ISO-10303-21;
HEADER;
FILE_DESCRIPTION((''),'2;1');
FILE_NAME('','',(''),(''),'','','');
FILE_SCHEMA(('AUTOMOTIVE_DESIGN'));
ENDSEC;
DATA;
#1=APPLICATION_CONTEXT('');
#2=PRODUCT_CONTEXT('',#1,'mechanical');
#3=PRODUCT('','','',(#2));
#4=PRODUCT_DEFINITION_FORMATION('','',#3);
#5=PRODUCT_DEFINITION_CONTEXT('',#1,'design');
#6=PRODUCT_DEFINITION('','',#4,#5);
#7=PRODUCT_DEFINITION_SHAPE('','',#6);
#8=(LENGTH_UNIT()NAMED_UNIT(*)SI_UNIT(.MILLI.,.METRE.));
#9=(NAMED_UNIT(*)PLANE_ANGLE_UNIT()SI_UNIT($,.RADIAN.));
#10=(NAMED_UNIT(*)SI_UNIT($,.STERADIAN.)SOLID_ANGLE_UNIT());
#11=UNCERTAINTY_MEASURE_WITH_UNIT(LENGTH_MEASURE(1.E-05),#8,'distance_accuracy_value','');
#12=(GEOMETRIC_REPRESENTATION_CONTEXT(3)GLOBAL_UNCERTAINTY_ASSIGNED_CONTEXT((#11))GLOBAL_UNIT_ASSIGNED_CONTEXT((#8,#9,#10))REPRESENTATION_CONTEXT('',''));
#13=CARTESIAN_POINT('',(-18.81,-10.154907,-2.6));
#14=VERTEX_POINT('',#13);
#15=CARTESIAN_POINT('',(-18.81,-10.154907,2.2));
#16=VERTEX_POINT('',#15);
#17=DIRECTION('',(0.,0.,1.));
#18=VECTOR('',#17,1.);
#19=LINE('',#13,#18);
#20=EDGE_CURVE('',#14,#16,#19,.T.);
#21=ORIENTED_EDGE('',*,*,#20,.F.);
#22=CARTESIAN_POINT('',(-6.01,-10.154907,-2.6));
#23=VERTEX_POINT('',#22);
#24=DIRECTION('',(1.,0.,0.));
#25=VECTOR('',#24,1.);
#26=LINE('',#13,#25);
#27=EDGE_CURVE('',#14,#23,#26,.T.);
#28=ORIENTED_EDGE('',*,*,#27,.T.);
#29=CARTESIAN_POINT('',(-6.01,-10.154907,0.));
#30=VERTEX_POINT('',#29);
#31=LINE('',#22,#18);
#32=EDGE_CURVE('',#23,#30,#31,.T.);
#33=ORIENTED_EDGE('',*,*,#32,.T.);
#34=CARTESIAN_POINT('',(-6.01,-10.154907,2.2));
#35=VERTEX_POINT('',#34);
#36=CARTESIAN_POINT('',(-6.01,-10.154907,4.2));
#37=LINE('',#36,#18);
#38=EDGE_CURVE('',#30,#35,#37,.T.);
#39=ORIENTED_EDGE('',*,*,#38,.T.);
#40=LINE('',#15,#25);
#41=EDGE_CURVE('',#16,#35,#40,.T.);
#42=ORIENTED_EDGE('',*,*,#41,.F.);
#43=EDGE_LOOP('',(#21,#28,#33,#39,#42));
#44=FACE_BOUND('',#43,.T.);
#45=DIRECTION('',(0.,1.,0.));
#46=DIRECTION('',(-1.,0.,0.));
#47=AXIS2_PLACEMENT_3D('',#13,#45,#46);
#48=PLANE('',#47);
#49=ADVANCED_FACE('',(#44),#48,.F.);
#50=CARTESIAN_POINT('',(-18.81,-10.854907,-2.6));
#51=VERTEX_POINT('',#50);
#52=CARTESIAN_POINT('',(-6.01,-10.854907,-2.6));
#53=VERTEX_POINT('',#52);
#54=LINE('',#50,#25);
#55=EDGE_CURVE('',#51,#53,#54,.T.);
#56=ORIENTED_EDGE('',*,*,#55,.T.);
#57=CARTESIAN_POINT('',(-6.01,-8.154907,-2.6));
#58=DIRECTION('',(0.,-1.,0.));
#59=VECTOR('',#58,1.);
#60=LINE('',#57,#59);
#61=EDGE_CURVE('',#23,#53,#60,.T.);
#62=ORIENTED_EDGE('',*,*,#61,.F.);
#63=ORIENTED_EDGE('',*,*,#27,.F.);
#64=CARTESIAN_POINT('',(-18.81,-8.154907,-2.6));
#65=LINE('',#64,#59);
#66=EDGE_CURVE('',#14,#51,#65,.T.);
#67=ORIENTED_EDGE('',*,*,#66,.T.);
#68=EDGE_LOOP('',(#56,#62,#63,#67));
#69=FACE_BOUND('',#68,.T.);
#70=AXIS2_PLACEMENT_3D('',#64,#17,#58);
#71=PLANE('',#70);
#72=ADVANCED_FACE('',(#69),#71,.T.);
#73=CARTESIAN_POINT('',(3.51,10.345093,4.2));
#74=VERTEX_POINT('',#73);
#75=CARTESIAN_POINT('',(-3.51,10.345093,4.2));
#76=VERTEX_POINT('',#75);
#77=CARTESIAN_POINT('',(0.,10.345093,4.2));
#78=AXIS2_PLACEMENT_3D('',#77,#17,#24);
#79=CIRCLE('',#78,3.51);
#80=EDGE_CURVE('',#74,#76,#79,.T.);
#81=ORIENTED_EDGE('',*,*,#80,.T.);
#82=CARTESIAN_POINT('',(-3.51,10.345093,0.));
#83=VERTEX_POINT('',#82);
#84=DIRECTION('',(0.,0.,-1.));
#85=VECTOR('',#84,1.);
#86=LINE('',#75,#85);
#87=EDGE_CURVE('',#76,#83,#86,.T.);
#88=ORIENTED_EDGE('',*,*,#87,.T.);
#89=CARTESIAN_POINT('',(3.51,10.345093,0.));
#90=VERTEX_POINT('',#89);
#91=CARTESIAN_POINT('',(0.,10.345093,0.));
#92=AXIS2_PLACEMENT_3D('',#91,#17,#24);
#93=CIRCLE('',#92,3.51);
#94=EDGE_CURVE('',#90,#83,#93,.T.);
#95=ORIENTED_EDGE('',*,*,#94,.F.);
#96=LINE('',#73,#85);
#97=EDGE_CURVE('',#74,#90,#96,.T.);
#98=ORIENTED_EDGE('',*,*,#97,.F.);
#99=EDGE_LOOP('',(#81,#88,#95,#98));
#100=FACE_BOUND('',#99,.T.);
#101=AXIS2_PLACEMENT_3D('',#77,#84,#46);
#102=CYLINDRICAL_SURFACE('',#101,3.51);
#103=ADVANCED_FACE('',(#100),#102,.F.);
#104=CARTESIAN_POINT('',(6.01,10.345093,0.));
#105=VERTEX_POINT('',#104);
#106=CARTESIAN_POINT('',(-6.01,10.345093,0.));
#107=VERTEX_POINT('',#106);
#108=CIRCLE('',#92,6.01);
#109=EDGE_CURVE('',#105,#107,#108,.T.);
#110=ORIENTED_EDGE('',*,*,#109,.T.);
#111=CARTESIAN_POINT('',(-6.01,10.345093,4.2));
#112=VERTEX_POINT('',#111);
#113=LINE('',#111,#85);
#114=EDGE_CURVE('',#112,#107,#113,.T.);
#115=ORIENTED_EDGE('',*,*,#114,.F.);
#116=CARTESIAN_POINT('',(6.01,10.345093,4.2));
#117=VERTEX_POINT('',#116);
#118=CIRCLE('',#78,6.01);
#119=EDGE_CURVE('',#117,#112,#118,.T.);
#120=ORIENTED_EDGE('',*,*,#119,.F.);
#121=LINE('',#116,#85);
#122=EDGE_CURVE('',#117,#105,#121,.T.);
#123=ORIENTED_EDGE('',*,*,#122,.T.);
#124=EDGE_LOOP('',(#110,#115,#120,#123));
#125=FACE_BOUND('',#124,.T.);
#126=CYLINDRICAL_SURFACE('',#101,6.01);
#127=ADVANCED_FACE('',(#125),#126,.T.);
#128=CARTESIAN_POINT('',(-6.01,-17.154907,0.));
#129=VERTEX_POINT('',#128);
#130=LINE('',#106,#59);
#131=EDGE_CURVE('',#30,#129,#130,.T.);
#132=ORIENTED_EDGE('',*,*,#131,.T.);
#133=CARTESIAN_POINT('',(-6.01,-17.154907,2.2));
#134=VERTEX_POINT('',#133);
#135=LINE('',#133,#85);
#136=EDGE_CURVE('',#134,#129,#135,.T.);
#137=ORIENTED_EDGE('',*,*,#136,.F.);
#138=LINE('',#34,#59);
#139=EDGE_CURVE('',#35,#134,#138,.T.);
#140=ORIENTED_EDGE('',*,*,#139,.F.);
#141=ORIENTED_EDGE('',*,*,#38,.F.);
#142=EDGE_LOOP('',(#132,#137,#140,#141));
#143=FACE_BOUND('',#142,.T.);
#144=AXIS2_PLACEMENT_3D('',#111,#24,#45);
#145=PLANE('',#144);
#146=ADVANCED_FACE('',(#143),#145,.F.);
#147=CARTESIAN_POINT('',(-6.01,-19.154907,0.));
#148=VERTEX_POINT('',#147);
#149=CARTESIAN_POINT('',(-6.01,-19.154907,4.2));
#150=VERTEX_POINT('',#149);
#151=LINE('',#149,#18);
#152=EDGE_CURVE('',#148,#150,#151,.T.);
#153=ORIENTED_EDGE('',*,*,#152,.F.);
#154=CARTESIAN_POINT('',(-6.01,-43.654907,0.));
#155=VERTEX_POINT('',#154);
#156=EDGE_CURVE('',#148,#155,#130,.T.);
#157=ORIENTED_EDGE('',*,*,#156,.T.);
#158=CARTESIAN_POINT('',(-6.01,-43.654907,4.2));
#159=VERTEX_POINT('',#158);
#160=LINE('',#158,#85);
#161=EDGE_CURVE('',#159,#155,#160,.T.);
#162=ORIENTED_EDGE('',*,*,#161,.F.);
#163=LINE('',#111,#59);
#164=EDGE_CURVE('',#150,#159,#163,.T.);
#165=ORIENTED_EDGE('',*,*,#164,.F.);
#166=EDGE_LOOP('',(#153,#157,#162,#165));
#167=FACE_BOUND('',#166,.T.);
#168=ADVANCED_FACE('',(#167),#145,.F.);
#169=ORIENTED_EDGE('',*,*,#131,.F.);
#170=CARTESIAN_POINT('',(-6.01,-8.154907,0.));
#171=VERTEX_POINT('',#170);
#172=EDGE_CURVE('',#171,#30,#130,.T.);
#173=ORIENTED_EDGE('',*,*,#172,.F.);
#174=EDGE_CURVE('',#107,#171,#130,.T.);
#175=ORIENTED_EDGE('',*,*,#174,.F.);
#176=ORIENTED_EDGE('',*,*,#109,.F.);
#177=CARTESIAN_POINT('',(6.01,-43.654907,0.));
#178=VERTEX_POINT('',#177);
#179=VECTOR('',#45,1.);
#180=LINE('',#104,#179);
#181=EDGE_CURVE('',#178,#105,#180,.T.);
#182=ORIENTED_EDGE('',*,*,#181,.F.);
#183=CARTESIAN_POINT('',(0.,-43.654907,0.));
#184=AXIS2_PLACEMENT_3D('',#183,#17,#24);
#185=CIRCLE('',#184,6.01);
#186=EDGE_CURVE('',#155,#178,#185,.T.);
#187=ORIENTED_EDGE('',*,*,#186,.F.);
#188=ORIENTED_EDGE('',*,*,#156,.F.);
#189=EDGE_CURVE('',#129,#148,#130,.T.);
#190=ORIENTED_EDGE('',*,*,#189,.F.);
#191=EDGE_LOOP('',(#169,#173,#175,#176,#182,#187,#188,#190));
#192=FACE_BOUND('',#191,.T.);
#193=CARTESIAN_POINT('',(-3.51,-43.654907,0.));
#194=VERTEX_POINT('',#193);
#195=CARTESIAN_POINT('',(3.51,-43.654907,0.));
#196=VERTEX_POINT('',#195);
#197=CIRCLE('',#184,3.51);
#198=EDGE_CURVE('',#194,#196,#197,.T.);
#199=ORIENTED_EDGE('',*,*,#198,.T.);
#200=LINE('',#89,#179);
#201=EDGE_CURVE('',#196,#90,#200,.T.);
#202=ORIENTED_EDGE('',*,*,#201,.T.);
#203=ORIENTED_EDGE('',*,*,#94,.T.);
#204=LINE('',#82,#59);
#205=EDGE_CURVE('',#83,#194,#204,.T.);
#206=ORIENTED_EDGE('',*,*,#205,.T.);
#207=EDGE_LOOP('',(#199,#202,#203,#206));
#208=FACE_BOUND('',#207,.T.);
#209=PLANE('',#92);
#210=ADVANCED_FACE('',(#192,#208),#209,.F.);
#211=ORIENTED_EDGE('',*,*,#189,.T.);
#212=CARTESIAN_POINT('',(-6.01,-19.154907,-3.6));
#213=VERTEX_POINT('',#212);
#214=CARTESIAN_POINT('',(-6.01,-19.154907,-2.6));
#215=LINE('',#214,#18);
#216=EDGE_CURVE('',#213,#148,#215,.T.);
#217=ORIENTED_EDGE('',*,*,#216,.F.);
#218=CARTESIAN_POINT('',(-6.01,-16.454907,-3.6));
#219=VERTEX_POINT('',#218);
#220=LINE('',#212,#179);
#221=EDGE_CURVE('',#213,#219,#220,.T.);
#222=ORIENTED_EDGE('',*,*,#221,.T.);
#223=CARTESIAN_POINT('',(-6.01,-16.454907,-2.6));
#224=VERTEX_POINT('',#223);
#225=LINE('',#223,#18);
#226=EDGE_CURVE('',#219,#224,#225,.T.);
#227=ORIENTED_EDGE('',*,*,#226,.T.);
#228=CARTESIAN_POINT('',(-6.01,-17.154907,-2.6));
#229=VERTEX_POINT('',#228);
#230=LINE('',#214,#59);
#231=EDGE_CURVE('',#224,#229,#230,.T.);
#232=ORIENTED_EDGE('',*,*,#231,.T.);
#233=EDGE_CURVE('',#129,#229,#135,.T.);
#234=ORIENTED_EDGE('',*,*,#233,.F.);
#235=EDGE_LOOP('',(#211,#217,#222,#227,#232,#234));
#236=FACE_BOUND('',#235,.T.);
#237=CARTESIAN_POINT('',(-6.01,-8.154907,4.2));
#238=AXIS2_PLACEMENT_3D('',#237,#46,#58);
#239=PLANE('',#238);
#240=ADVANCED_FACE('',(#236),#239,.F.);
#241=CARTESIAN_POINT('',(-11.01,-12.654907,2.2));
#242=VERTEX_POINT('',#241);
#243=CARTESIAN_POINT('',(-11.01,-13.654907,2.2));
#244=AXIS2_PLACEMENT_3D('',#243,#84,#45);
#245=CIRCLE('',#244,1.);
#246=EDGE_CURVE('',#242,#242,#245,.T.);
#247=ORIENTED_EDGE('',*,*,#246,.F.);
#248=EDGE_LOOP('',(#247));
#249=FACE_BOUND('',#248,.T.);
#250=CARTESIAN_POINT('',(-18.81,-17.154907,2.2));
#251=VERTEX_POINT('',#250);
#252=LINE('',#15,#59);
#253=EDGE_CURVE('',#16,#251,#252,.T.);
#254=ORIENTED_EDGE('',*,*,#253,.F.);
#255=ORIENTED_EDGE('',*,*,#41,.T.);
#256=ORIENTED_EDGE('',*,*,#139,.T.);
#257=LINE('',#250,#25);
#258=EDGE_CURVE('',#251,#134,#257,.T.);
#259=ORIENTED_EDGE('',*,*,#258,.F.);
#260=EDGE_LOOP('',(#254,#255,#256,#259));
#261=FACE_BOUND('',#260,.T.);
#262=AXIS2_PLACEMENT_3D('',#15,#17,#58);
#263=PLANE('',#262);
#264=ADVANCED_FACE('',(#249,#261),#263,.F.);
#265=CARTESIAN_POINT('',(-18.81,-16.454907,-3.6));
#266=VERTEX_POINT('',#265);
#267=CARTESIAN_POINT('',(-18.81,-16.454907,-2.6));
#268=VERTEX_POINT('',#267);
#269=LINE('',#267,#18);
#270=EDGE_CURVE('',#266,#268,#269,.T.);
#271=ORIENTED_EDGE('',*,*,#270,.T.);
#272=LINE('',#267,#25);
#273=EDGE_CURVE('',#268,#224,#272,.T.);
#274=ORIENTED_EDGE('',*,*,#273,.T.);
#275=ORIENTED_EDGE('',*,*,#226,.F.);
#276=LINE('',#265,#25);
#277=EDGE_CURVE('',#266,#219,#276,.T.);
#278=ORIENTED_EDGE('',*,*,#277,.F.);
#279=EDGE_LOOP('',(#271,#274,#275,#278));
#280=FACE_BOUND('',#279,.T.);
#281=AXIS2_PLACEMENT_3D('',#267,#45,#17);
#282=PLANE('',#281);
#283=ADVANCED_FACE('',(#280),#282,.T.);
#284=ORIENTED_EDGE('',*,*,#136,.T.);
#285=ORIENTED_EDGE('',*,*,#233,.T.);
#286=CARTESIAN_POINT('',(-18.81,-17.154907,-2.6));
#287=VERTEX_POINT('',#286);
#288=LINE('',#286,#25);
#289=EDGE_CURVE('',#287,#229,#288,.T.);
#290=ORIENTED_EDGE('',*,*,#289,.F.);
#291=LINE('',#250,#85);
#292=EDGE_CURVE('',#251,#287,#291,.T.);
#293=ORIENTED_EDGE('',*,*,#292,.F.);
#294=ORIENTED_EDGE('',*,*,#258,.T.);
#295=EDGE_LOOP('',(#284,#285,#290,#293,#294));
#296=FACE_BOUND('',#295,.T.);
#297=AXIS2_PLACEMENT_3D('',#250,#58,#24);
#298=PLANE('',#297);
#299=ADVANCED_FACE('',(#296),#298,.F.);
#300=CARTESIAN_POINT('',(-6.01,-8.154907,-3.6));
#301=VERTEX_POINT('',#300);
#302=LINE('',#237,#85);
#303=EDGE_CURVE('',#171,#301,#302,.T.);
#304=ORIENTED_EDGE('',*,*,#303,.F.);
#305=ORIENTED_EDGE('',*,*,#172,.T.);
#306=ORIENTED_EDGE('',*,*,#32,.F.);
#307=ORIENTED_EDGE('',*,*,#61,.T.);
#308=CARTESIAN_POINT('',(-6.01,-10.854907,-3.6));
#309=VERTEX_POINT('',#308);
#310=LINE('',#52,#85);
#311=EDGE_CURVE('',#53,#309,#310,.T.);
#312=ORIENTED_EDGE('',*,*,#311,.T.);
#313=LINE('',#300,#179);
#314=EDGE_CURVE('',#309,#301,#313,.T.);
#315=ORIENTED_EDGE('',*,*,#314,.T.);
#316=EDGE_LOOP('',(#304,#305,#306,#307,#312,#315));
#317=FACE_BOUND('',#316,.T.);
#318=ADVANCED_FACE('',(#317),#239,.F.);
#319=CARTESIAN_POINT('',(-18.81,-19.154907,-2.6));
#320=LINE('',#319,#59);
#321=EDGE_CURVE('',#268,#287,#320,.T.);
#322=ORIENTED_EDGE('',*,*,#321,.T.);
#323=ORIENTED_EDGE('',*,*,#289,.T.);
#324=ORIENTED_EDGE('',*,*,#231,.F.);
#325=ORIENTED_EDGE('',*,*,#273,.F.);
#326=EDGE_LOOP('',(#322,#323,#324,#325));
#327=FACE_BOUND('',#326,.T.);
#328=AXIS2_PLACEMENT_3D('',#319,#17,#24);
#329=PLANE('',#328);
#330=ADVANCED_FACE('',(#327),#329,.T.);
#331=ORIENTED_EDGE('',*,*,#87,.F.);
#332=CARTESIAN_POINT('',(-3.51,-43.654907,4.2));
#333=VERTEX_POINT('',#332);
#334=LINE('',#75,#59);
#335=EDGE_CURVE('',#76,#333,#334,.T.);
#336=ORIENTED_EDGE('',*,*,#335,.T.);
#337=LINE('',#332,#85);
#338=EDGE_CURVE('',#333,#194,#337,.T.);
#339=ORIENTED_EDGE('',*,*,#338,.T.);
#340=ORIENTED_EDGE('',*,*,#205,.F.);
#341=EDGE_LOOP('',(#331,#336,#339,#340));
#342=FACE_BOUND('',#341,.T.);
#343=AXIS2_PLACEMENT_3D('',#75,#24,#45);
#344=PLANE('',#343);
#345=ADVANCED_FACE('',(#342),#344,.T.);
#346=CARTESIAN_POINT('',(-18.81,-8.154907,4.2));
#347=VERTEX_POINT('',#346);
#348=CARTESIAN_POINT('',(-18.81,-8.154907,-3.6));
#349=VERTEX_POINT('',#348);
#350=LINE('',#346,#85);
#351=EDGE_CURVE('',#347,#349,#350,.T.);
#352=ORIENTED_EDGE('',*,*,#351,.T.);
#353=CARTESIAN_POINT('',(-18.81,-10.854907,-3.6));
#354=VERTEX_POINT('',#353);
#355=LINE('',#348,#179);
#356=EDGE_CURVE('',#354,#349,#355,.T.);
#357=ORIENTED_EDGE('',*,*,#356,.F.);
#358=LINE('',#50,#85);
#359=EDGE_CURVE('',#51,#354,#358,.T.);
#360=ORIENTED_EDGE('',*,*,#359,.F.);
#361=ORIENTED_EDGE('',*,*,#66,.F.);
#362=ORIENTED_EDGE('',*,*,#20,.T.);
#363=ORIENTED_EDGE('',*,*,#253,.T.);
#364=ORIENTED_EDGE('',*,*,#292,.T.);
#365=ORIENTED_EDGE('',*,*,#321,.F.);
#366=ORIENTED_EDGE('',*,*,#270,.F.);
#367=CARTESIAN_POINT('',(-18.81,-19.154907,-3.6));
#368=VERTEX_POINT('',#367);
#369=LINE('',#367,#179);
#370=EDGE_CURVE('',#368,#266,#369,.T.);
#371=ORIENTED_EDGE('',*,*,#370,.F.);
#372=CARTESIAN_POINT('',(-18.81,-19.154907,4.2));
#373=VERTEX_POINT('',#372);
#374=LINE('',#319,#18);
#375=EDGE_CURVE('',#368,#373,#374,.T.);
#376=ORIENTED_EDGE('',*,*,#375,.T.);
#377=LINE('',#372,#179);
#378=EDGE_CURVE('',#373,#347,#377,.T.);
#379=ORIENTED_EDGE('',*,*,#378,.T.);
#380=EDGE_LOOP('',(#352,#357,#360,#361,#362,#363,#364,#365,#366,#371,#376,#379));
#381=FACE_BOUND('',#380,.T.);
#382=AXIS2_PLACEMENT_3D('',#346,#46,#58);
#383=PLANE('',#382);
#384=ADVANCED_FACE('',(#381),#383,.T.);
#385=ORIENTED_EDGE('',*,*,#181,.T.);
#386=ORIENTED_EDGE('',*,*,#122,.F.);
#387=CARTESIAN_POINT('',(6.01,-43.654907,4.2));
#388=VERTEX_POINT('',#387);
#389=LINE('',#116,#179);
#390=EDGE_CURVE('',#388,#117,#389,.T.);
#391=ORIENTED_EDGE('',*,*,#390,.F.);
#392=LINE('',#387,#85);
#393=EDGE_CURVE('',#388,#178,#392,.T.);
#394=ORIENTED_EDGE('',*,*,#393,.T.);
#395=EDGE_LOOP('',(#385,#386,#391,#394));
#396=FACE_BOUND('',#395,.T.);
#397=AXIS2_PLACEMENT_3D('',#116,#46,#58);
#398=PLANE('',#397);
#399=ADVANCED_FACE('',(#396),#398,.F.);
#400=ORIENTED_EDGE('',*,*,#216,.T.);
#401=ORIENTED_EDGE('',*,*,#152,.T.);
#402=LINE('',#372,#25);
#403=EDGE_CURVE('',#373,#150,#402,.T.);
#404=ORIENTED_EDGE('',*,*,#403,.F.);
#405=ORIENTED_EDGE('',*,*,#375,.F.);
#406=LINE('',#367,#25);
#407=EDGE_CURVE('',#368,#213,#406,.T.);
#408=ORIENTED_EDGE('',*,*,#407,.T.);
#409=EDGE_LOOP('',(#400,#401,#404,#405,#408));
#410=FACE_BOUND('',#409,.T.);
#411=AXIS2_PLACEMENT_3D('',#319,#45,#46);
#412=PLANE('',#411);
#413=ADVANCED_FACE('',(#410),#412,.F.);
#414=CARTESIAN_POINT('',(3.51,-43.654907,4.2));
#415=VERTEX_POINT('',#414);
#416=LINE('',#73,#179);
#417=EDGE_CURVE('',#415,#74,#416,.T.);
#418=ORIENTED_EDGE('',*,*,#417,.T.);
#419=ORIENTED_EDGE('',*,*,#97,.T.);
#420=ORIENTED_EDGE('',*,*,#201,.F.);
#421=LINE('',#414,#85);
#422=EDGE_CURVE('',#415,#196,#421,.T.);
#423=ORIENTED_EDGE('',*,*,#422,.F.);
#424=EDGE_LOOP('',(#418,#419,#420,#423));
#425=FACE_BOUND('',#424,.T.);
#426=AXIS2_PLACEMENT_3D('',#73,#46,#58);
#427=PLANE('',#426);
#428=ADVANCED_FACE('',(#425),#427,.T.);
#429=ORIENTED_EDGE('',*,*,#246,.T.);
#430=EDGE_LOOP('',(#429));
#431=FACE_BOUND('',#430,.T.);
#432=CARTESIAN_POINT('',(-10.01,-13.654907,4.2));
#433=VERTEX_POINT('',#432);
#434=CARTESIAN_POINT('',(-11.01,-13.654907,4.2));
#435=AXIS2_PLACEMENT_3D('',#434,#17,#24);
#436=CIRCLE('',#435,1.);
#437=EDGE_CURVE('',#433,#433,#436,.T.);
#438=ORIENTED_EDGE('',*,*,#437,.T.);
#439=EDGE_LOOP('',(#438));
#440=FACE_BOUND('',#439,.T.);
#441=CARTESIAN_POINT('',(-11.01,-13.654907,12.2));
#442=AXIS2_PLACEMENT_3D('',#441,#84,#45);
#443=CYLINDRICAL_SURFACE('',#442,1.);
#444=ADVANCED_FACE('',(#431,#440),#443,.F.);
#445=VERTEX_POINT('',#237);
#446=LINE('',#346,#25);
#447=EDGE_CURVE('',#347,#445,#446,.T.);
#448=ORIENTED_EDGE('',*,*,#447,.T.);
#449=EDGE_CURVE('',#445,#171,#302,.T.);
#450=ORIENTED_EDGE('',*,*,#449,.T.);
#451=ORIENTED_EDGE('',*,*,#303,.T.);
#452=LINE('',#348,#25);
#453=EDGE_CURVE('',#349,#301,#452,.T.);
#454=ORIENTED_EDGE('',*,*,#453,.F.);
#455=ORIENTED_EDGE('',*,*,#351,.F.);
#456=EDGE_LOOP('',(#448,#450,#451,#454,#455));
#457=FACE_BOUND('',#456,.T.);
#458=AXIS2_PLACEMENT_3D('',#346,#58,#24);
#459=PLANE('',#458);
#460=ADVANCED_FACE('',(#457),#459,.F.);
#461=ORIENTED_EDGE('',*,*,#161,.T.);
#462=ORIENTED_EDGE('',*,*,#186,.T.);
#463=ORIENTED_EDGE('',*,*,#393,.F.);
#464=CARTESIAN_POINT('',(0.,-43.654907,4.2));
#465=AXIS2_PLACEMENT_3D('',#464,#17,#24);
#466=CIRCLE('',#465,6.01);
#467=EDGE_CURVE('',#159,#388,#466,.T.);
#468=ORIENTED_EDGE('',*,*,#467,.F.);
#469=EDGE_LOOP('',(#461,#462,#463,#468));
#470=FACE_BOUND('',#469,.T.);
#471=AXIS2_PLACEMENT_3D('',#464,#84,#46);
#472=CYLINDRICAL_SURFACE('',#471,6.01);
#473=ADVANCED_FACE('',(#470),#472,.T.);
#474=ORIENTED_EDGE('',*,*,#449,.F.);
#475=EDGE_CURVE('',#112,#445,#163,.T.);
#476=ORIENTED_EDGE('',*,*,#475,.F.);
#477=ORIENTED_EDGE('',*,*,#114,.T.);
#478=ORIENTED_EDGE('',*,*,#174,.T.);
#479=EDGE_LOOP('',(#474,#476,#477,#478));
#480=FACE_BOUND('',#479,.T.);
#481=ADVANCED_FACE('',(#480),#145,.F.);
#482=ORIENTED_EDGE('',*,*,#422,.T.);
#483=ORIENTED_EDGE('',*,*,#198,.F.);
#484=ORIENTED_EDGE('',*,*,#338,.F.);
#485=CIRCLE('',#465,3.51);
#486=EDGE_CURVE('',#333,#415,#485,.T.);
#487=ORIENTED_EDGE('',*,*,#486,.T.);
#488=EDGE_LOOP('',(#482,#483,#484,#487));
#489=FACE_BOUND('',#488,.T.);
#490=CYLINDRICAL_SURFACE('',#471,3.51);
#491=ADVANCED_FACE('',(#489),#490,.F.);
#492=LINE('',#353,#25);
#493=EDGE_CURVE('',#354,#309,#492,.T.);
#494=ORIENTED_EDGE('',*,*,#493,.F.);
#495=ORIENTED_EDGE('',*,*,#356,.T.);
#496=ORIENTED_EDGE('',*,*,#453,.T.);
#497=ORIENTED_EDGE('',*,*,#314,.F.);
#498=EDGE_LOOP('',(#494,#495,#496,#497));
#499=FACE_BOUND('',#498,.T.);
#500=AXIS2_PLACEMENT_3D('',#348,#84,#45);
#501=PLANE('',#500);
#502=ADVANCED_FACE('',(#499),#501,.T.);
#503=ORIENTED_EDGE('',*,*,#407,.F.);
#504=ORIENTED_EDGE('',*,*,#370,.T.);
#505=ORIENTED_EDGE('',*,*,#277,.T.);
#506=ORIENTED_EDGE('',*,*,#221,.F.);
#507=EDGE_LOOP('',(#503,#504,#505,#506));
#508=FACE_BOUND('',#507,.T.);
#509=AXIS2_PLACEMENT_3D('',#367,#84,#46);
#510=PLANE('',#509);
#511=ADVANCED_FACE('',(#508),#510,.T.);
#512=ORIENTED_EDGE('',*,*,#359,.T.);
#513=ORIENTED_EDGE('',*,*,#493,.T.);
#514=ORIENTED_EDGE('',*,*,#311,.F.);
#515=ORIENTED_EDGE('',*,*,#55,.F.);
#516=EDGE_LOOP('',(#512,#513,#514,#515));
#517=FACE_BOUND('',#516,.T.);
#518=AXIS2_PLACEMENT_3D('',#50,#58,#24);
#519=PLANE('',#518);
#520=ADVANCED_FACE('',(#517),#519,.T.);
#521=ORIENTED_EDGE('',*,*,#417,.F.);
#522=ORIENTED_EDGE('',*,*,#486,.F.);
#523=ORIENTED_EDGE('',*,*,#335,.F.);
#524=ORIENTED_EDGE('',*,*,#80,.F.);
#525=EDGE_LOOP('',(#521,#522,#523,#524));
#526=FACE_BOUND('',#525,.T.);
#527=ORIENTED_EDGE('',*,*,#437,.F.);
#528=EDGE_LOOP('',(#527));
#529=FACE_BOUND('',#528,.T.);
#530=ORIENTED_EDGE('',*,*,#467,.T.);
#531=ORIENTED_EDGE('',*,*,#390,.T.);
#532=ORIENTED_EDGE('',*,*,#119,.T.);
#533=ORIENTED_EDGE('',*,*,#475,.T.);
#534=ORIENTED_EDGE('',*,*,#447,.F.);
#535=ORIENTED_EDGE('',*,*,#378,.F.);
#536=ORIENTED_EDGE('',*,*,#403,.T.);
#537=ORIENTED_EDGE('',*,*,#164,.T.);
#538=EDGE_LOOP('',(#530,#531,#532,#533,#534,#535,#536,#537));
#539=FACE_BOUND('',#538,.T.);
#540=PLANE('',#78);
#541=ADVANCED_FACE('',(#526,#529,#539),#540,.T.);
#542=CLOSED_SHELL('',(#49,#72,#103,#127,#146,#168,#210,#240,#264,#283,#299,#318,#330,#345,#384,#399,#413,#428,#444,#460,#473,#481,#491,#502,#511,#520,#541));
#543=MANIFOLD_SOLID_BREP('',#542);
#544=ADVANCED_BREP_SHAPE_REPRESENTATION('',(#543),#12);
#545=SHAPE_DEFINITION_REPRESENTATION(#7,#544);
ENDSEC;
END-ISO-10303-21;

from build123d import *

# Parameters (mm, degrees)
EXTRUDE_1_DEPTH     = 4.2
EXTRUDE_2_DEPTH     = 12.8
SKETCH_3_R          = 1
CUT_EXTRUDE_1_DEPTH = 10
SKETCH_5_W          = 1
SKETCH_5_H          = 2.7
EXTRUDE_3_DEPTH     = 12.8


with BuildPart() as part:
    # 草图1 → 凸台-拉伸1 (new body)
    with BuildSketch(Plane.XY):
        with BuildLine():
            Line((6.01, 10.345093063), (6.01, -43.654906937))
            ThreePointArc((6.01, -43.654906937), (0, -49.664906937), (-6.01, -43.654906937))
            Line((-6.01, -43.654906937), (-6.01, 10.345093063))
            ThreePointArc((-6.01, 10.345093063), (0, 16.355093063), (6.01, 10.345093063))
        make_face()
        with BuildLine():
            Line((3.51, 10.345093063), (3.51, -43.654906937))
            ThreePointArc((3.51, -43.654906937), (0, -47.164906937), (-3.51, -43.654906937))
            Line((-3.51, -43.654906937), (-3.51, 10.345093063))
            ThreePointArc((-3.51, 10.345093063), (0, 13.855093063), (3.51, 10.345093063))
        make_face(mode=Mode.SUBTRACT)
    extrude(amount=EXTRUDE_1_DEPTH)

    # 草图2 → 凸台-拉伸2 (add)
    with BuildSketch(Plane.ZY.offset(6.01)):
        Polygon((4.2, -16.654906937), (4.2, -8.154906937), (-2.6, -8.154906937), (-2.6, -10.154906937), (2.2, -10.154906937), (2.2, -17.154906937), (-2.6, -17.154906937), (-2.6, -19.154906937), (4.2, -19.154906937), align=None)
    extrude(amount=EXTRUDE_2_DEPTH)

    # 草图3 → 切除-拉伸1 (cut)
    with BuildSketch(Plane(origin=(0, 0, 2.2), x_dir=(-1, 0, 0), z_dir=(0, 0, -1))):
        with Locations((11.01, -13.654906937)):
            Circle(SKETCH_3_R)
    extrude(amount=-CUT_EXTRUDE_1_DEPTH, mode=Mode.SUBTRACT)

    # 草图5 → 凸台-拉伸3 (add, through all)
    with BuildSketch(Plane(origin=(-6.01, 0, 0), x_dir=(0, 0, -1), z_dir=(1, 0, 0))):
        with Locations((3.1, -9.504906937)):
            Rectangle(SKETCH_5_W, SKETCH_5_H)
        with Locations((3.1, -17.804906937)):
            Rectangle(SKETCH_5_W, SKETCH_5_H)
    extrude(amount=-EXTRUDE_3_DEPTH)


solid = part.part
